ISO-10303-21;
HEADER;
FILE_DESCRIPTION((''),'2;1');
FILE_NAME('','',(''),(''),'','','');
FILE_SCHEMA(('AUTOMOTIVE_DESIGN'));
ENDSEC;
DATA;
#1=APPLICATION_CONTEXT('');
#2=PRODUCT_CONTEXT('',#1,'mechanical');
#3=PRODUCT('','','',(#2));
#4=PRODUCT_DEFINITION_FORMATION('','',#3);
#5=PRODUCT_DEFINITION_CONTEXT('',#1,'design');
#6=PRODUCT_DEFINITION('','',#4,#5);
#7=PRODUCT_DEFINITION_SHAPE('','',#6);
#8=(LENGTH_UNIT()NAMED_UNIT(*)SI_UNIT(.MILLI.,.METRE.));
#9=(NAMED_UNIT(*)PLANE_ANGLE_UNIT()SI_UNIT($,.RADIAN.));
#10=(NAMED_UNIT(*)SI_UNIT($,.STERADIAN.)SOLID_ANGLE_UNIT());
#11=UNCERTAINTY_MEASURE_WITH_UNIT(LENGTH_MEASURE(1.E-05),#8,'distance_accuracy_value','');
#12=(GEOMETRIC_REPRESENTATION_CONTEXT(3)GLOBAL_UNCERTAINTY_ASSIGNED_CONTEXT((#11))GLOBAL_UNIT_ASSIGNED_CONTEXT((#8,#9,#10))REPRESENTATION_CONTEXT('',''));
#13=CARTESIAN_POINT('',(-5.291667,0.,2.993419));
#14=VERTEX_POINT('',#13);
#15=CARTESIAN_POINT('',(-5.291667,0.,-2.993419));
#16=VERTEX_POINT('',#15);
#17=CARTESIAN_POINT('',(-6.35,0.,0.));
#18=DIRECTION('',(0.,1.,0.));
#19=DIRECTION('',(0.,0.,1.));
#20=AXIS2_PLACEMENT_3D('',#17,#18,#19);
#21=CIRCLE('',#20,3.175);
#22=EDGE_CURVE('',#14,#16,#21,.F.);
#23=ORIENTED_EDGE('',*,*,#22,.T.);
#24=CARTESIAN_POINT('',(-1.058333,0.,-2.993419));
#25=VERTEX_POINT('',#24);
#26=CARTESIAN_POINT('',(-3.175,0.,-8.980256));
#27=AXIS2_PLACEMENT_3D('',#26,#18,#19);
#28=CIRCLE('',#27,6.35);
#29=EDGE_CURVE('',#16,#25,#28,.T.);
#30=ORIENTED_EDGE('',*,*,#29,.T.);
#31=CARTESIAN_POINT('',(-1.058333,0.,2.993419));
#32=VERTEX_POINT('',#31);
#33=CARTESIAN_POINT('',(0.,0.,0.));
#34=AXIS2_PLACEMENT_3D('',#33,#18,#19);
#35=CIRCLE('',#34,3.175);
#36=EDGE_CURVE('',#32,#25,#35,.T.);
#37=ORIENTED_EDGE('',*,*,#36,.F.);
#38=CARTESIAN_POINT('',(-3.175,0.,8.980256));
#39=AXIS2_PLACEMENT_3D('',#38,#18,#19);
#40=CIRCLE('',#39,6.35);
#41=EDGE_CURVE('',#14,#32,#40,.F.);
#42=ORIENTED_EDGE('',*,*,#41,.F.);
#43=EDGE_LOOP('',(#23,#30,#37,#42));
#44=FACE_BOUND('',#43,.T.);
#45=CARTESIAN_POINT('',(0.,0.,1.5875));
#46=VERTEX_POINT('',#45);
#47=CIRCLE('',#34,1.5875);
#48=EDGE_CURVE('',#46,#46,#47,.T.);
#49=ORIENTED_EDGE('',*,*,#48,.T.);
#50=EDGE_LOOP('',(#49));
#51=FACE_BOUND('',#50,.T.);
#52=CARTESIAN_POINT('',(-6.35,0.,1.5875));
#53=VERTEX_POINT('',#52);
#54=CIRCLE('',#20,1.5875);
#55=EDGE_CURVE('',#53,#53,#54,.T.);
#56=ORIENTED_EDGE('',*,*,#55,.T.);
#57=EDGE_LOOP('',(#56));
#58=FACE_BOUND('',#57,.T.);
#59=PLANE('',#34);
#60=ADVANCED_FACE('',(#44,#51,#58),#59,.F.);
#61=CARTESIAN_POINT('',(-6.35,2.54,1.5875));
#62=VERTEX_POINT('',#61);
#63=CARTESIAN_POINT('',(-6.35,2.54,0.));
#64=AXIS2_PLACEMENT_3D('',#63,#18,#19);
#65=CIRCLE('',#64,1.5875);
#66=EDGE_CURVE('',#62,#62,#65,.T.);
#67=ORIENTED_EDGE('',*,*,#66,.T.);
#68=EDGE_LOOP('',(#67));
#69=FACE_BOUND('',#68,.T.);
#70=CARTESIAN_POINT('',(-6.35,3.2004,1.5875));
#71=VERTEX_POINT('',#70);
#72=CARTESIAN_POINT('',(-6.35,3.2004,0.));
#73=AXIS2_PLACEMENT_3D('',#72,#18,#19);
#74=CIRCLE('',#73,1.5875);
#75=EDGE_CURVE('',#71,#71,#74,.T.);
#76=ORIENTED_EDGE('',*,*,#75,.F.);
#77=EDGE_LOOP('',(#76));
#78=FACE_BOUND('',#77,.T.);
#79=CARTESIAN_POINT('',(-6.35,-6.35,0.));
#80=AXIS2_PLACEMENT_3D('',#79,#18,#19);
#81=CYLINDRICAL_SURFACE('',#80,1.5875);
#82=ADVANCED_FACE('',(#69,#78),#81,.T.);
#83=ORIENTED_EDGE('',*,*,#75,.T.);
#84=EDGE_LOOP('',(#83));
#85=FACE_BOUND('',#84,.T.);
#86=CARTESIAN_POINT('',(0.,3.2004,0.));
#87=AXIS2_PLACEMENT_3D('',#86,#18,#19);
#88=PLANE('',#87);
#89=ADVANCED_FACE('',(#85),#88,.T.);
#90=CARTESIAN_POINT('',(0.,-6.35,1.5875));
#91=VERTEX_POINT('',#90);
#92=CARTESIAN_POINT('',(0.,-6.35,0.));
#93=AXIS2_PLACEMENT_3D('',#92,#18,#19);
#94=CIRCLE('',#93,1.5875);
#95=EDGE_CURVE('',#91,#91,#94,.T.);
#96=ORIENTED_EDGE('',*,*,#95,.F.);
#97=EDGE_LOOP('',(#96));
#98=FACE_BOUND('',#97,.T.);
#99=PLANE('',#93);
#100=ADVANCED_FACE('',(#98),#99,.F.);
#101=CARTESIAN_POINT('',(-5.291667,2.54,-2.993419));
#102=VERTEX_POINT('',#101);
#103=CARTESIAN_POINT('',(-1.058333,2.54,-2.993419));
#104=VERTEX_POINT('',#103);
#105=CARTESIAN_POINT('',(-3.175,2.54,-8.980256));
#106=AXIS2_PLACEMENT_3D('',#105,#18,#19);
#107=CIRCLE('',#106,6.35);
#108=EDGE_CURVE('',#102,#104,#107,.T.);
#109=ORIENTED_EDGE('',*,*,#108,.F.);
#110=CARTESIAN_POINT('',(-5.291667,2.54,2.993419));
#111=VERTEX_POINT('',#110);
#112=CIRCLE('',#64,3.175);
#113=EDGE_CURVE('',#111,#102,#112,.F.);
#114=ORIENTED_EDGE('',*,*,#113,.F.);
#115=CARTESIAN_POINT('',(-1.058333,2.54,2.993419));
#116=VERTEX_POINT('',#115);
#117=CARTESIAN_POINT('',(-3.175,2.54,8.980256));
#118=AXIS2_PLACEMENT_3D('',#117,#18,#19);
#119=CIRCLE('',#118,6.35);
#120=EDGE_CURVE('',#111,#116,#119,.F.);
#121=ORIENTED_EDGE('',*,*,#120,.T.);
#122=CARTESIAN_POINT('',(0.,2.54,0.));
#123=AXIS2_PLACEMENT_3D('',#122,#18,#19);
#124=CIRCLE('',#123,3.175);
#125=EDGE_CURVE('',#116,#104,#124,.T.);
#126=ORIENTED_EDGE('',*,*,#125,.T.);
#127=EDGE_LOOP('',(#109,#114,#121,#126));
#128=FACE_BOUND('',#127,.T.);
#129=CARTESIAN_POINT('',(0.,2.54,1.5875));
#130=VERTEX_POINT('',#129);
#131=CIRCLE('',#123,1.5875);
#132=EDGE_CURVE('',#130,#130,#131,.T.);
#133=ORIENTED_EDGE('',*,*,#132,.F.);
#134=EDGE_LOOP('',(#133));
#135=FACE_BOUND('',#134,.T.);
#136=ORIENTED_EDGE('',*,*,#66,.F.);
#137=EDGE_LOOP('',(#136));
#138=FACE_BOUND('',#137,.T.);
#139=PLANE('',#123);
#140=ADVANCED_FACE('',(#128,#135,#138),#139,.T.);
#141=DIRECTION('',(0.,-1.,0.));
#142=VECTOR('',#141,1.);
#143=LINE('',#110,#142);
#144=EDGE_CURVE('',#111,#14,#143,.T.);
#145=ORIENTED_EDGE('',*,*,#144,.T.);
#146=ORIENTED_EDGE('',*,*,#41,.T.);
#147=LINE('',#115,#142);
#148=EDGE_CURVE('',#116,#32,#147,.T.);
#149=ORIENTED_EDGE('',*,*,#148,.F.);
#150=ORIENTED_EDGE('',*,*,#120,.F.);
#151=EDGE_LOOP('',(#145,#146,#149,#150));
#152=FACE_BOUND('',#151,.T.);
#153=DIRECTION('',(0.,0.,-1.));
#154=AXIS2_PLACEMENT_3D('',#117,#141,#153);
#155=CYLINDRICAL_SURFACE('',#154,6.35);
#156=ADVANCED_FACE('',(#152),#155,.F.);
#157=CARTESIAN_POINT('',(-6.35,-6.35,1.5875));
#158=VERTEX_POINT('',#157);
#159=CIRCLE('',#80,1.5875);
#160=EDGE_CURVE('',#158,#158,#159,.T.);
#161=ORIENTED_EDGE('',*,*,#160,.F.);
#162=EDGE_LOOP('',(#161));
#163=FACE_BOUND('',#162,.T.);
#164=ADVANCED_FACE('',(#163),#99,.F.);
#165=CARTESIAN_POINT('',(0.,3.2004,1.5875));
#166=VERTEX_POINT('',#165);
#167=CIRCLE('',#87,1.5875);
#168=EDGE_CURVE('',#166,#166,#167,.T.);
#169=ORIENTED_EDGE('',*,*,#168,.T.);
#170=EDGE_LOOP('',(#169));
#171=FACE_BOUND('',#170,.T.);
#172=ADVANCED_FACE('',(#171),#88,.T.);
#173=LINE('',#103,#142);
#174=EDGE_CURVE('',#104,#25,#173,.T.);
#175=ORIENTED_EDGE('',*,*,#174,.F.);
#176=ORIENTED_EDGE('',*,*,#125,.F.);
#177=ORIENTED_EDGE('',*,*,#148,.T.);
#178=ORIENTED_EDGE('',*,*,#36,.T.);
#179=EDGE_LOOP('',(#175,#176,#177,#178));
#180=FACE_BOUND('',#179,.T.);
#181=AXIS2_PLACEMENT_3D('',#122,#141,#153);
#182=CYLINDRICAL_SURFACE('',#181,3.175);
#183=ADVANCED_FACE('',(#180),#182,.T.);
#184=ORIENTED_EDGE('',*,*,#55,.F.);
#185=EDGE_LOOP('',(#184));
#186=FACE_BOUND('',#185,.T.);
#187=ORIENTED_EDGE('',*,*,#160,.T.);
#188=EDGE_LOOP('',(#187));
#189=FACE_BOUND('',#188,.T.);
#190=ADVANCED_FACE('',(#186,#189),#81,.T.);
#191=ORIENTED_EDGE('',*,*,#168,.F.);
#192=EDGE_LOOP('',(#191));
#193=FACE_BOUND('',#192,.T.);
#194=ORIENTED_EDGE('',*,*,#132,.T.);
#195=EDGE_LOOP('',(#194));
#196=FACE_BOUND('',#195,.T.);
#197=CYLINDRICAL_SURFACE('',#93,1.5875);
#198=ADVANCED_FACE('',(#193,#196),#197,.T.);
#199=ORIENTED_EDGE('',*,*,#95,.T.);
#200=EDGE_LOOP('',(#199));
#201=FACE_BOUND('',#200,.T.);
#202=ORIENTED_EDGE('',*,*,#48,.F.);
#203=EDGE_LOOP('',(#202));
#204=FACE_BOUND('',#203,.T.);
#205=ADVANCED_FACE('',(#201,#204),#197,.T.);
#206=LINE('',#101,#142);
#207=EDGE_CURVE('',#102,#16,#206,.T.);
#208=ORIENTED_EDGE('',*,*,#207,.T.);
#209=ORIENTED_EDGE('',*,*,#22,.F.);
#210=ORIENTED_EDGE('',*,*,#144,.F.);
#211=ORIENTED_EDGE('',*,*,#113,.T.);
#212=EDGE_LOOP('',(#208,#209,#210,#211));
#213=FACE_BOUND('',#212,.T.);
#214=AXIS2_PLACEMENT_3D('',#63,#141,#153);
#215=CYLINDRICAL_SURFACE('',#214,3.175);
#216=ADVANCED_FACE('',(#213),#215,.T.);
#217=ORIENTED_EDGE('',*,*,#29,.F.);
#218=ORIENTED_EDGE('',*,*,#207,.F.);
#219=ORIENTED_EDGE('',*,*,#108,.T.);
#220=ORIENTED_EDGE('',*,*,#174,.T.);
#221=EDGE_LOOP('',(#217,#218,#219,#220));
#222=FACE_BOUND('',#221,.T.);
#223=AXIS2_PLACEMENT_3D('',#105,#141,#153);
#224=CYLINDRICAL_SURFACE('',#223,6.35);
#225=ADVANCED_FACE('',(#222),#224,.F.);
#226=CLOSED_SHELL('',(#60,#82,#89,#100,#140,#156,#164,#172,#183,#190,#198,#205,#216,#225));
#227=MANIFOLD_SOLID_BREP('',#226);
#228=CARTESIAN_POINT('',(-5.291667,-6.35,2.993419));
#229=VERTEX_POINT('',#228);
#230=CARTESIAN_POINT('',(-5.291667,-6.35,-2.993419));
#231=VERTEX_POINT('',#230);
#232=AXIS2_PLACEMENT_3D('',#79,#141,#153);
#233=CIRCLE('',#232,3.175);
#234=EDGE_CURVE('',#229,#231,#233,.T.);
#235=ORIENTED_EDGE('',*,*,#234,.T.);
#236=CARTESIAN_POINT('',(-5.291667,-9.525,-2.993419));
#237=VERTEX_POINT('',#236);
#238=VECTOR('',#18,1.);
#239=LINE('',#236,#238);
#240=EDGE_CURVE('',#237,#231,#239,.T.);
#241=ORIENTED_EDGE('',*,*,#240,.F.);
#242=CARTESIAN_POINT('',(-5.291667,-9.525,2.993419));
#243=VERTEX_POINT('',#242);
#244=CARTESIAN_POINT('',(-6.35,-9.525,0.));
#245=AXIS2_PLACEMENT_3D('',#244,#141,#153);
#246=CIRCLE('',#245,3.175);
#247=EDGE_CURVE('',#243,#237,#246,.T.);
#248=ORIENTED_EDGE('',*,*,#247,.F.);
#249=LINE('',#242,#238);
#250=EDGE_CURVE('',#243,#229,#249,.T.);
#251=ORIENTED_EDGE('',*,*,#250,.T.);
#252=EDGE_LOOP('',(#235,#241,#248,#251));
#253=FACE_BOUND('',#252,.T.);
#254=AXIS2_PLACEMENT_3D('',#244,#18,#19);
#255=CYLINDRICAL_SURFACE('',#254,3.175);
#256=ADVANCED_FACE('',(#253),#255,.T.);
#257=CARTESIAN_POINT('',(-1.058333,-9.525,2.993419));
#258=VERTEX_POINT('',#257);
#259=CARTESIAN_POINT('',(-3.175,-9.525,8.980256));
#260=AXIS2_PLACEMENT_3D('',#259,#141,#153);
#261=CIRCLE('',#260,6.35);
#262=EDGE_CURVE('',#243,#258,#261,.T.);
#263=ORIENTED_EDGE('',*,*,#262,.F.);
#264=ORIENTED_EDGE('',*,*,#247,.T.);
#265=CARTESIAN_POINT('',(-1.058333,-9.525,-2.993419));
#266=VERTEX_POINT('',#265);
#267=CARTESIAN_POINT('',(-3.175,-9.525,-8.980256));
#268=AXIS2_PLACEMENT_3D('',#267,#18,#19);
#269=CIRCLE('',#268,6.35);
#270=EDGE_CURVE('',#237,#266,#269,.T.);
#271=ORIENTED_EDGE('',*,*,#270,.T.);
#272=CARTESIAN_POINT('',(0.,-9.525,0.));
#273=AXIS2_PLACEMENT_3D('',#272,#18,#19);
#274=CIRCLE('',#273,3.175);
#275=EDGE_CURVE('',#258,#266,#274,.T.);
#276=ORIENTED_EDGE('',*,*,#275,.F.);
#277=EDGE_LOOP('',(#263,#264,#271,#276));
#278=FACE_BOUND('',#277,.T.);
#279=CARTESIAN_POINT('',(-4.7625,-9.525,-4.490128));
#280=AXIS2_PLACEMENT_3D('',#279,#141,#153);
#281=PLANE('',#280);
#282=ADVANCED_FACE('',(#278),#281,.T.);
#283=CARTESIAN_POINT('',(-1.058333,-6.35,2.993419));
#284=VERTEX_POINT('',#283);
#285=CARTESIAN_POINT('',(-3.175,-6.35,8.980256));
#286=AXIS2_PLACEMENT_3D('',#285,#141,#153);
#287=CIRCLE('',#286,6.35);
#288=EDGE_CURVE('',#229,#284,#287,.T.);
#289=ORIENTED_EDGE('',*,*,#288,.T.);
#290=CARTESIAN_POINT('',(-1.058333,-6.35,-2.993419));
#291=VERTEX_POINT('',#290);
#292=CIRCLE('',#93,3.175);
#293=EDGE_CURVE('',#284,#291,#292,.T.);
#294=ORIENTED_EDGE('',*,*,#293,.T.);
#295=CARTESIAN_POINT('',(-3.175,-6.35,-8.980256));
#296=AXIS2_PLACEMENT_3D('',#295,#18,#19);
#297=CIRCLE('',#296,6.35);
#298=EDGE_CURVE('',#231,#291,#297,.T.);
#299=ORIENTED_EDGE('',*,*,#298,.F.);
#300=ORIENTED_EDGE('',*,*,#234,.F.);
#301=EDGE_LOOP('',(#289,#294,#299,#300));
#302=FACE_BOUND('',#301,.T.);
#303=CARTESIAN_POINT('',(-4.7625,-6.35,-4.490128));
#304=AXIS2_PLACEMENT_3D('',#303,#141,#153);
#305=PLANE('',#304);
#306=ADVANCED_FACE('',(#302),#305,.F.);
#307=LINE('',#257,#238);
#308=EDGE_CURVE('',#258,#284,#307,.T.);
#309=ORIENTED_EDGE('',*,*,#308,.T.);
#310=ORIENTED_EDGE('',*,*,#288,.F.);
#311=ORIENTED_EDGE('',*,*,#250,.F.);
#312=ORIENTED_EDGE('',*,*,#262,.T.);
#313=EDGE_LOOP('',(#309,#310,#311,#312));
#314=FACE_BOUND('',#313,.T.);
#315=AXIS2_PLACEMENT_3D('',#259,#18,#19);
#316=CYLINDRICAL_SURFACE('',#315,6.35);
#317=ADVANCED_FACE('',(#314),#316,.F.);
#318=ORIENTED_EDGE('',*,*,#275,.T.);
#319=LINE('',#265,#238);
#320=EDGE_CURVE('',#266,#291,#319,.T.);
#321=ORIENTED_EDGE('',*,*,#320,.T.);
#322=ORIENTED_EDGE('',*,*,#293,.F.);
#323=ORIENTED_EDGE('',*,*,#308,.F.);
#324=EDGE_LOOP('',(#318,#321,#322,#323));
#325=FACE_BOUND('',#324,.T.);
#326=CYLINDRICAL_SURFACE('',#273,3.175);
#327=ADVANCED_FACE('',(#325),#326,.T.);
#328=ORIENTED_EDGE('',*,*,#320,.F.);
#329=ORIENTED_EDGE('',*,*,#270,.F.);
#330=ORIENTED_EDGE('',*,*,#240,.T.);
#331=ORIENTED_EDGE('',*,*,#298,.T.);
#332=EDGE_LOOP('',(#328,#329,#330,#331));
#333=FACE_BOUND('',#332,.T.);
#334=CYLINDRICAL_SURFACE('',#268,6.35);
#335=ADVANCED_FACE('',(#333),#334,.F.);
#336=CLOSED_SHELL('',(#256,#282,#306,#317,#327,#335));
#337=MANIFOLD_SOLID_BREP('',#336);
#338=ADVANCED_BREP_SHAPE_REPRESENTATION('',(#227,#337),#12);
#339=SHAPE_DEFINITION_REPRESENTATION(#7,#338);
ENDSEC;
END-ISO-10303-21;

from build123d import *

# Parameters (mm, degrees)
SKETCH1_R                = 1.5875
BOSS_EXTRUDE1_DEPTH      = 2.54
BOSS_EXTRUDE2_DEPTH      = 3.2004
BOSS_EXTRUDE2_DEPTH_BACK = 6.35
SKETCH1_4_R              = 1.5875
BOSS_EXTRUDE3_DEPTH      = 3.175


with BuildPart() as part:
    # Sketch1 → Boss-Extrude1 (new body)
    with BuildSketch(Plane(origin=(0, 0, 0), x_dir=(1, 0, 0), z_dir=(0, 1, 0))):
        with BuildLine():
            ThreePointArc((-5.291666667, 2.993418707), (-9.525, 0), (-5.291666667, -2.993418707))
            ThreePointArc((-5.291666667, -2.993418707), (-3.175, -2.630256121), (-1.058333333, -2.993418707))
            ThreePointArc((-1.058333333, -2.993418707), (3.175, 0), (-1.058333333, 2.993418707))
            ThreePointArc((-1.058333333, 2.993418707), (-3.175, 2.630256121), (-5.291666667, 2.993418707))
        make_face()
        with Locations((-6.35, 0)):
            Circle(SKETCH1_R, mode=Mode.SUBTRACT)
        Circle(SKETCH1_R, mode=Mode.SUBTRACT)
    extrude(amount=BOSS_EXTRUDE1_DEPTH)

    # Sketch1<4> → Boss-Extrude2 (add, two sides: drawn at the far end of the back side and taken through both)
    with BuildSketch(Plane(origin=(0, 0, 0), x_dir=(1, 0, 0), z_dir=(0, 1, 0)).offset(-BOSS_EXTRUDE2_DEPTH_BACK)):
        with Locations((-6.35, 0)):
            Circle(SKETCH1_4_R)
        Circle(SKETCH1_4_R)
    extrude(amount=BOSS_EXTRUDE2_DEPTH + BOSS_EXTRUDE2_DEPTH_BACK)


with BuildPart() as body_2:
    # Sketch2 → Boss-Extrude3 (new body)
    with BuildSketch(Plane.XZ.offset(6.35)):
        with BuildLine():
            ThreePointArc((-5.291666667, 2.993418707), (-9.525, 0), (-5.291666667, -2.993418707))
            ThreePointArc((-5.291666667, -2.993418707), (-3.175, -2.630256121), (-1.058333333, -2.993418707))
            ThreePointArc((-1.058333333, -2.993418707), (3.175, 0), (-1.058333333, 2.993418707))
            ThreePointArc((-1.058333333, 2.993418707), (-3.175, 2.630256121), (-5.291666667, 2.993418707))
        make_face()
    extrude(amount=BOSS_EXTRUDE3_DEPTH)


solid = Compound([part.part, body_2.part])
